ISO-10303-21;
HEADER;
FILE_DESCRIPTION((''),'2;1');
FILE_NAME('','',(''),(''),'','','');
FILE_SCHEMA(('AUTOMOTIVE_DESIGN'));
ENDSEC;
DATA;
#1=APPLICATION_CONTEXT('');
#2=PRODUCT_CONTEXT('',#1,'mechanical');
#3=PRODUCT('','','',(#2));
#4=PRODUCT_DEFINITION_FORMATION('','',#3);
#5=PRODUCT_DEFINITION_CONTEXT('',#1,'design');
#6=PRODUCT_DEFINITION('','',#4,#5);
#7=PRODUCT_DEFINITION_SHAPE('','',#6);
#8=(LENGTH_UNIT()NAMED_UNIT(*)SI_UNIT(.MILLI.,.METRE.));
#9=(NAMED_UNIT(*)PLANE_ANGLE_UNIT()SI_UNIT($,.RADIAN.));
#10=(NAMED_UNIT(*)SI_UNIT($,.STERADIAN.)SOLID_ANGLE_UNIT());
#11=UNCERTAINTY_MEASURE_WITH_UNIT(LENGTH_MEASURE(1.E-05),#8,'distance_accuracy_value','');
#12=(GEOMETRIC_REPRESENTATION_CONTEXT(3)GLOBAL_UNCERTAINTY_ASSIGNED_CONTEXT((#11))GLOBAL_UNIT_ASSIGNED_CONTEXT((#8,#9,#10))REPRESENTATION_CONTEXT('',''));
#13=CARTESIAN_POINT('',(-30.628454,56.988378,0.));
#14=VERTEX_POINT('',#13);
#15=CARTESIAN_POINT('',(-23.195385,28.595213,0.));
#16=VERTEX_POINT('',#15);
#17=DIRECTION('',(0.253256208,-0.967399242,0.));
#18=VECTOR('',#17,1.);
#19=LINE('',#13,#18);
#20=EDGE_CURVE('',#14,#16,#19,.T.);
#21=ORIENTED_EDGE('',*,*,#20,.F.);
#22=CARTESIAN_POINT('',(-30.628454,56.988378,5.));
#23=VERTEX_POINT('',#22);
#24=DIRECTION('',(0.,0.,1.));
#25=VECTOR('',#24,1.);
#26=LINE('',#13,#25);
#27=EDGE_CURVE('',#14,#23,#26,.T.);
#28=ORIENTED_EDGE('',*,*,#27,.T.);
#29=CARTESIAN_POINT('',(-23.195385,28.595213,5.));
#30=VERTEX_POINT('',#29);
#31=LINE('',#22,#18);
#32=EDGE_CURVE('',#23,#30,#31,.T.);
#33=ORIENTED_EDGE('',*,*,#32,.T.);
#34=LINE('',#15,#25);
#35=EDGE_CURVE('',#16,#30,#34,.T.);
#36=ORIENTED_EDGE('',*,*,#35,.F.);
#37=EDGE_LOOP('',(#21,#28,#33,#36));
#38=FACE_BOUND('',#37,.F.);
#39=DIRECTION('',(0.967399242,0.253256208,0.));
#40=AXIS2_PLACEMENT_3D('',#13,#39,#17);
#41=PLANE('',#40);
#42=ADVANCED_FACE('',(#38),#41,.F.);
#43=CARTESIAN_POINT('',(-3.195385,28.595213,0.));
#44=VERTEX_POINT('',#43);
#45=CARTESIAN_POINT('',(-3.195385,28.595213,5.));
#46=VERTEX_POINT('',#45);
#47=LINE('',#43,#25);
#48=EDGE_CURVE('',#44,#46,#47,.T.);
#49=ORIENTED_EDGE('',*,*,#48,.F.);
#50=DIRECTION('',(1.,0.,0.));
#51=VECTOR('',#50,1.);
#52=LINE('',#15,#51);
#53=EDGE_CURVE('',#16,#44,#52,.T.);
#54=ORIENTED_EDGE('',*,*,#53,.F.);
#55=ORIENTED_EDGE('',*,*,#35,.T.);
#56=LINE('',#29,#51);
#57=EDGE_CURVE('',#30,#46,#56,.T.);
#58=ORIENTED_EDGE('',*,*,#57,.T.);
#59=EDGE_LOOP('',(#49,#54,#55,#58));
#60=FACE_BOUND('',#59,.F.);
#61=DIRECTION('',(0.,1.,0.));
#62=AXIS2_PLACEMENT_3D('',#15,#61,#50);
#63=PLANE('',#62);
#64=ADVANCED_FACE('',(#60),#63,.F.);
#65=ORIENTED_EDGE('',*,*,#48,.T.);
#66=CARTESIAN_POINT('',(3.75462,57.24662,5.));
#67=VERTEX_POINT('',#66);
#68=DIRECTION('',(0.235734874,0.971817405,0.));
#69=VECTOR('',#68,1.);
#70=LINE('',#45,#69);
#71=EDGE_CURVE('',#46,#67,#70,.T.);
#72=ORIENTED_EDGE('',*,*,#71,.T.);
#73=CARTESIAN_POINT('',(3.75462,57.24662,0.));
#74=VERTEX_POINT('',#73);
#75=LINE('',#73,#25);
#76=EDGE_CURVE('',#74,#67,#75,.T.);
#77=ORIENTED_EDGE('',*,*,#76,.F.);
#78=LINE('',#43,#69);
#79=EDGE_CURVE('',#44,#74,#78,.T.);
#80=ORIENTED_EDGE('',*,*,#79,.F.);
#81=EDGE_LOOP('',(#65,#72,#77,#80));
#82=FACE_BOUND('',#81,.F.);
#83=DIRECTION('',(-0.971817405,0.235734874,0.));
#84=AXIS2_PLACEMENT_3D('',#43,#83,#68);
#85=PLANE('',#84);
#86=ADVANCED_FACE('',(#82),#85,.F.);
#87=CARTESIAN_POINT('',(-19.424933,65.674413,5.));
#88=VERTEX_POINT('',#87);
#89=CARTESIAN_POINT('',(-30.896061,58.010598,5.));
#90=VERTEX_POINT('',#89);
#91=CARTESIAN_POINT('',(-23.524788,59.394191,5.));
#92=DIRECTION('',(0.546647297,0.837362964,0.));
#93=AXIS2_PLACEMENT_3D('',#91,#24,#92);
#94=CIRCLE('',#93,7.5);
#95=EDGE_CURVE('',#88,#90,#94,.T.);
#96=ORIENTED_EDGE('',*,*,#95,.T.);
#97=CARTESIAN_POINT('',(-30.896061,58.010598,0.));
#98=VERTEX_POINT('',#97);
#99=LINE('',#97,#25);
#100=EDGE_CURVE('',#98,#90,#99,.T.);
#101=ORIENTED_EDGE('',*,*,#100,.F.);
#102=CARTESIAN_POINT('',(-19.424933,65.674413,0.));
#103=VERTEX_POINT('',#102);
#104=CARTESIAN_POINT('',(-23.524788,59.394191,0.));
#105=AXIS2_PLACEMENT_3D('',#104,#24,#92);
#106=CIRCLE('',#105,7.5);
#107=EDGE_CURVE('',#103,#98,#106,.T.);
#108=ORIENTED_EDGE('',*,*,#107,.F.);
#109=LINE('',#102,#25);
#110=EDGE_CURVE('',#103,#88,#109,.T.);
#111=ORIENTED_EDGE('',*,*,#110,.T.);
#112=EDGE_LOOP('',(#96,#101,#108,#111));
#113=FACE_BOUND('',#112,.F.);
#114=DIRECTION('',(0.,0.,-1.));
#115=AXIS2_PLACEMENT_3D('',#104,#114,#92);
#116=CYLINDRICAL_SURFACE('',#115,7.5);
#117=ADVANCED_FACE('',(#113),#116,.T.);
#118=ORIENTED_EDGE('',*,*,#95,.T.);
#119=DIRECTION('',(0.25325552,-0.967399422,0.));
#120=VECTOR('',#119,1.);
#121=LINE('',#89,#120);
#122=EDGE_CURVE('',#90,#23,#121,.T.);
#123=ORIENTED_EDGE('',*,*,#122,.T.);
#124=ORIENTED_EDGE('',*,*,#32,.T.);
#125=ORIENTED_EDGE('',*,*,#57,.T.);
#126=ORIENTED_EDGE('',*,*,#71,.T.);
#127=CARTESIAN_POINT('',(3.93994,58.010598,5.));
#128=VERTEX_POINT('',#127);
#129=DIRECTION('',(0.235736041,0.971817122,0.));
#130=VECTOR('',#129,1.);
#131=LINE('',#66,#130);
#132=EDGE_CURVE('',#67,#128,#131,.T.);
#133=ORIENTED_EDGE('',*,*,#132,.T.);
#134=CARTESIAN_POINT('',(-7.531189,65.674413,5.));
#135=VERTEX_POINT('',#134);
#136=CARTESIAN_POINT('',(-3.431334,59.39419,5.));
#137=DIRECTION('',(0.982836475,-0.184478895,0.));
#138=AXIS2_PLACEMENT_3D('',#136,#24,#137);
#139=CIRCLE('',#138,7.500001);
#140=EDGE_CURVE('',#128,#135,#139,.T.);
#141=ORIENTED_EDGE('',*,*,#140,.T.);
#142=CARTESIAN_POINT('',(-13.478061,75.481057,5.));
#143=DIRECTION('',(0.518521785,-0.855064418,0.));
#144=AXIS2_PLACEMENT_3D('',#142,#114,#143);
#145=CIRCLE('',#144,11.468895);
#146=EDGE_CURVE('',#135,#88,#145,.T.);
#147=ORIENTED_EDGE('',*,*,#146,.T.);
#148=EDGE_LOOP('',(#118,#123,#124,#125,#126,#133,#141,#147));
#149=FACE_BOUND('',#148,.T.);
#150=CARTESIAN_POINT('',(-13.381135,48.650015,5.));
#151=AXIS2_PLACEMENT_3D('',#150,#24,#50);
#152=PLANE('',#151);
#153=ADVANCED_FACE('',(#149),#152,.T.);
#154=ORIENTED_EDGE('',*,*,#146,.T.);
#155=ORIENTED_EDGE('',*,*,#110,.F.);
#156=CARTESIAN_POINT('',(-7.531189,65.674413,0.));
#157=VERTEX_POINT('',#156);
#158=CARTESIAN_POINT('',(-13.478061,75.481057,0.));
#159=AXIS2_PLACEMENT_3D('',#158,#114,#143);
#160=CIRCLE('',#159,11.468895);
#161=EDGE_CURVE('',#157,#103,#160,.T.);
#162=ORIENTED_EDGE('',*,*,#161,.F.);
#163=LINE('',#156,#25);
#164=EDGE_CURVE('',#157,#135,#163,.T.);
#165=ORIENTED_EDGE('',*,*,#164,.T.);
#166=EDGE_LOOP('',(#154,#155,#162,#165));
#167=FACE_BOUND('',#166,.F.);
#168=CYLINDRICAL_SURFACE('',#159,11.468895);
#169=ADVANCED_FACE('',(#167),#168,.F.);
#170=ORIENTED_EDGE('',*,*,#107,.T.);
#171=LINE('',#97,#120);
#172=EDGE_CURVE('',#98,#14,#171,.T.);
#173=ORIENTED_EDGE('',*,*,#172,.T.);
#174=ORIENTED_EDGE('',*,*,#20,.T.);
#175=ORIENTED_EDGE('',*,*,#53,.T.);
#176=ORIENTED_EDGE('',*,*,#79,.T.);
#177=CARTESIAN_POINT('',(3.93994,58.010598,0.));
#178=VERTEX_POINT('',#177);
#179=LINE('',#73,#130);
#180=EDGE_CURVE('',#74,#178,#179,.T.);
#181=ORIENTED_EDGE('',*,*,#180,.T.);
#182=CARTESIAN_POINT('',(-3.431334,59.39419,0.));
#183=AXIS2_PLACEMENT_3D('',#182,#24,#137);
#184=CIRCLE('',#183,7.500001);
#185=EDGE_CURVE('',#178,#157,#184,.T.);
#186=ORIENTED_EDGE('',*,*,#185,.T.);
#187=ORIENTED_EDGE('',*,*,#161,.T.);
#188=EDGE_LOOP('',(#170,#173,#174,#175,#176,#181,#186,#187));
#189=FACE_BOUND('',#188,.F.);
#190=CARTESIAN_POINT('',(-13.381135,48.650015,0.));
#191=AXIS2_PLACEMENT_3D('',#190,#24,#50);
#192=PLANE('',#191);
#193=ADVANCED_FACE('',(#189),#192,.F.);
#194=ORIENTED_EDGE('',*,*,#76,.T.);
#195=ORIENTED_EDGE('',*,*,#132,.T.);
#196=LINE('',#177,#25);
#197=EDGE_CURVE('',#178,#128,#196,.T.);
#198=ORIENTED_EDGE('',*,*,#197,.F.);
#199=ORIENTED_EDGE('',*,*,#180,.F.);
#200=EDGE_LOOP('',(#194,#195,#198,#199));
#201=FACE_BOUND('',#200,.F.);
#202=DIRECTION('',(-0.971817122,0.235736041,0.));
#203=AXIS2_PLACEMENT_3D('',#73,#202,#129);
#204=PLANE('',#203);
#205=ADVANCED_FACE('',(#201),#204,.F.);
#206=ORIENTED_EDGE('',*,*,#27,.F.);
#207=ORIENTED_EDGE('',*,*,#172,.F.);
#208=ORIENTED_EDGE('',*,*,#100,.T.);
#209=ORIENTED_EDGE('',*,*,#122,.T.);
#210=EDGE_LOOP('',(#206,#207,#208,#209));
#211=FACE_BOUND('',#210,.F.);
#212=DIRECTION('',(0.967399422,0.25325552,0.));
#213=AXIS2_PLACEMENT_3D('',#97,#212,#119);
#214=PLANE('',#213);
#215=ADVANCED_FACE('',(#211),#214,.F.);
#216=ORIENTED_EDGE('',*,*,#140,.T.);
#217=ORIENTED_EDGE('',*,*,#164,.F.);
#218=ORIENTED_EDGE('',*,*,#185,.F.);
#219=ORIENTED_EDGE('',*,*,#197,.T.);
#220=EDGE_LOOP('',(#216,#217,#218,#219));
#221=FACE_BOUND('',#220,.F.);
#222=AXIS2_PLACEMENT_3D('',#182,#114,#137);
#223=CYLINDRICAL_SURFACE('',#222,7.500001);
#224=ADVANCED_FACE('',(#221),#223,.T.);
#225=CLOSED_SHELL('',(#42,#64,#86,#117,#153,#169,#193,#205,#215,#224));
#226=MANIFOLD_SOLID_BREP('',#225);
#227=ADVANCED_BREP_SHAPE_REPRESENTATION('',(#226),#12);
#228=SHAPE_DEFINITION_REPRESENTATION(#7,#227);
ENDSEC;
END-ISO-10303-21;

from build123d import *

# Parameters (mm, degrees)
F1_DEPTH = 5


with BuildPart() as f1:
    # F0 (on Top) → F1 (new body)
    with BuildSketch(Plane.XY):
        with BuildLine():
            ThreePointArc((-7.531189, 65.674413), (-13.478061, 64.012162), (-19.424933, 65.674413))
            ThreePointArc((-19.424933, 65.674413), (-27.691208, 65.630451), (-30.896061, 58.010598))
            Line((-30.896061, 58.010598), (-30.628454, 56.988378))
            Line((-30.628454, 56.988378), (-23.195385, 28.595213))
            Line((-23.195385, 28.595213), (-13.195385, 28.595213))
            Line((-13.195385, 28.595213), (-3.195385, 28.595213))
            Line((-3.195385, 28.595213), (3.75462, 57.24662))
            Line((3.75462, 57.24662), (3.93994, 58.010598))
            ThreePointArc((3.93994, 58.010598), (0.735086, 65.630451), (-7.531189, 65.674413))
        make_face()
    extrude(amount=F1_DEPTH)


solid = f1.part
